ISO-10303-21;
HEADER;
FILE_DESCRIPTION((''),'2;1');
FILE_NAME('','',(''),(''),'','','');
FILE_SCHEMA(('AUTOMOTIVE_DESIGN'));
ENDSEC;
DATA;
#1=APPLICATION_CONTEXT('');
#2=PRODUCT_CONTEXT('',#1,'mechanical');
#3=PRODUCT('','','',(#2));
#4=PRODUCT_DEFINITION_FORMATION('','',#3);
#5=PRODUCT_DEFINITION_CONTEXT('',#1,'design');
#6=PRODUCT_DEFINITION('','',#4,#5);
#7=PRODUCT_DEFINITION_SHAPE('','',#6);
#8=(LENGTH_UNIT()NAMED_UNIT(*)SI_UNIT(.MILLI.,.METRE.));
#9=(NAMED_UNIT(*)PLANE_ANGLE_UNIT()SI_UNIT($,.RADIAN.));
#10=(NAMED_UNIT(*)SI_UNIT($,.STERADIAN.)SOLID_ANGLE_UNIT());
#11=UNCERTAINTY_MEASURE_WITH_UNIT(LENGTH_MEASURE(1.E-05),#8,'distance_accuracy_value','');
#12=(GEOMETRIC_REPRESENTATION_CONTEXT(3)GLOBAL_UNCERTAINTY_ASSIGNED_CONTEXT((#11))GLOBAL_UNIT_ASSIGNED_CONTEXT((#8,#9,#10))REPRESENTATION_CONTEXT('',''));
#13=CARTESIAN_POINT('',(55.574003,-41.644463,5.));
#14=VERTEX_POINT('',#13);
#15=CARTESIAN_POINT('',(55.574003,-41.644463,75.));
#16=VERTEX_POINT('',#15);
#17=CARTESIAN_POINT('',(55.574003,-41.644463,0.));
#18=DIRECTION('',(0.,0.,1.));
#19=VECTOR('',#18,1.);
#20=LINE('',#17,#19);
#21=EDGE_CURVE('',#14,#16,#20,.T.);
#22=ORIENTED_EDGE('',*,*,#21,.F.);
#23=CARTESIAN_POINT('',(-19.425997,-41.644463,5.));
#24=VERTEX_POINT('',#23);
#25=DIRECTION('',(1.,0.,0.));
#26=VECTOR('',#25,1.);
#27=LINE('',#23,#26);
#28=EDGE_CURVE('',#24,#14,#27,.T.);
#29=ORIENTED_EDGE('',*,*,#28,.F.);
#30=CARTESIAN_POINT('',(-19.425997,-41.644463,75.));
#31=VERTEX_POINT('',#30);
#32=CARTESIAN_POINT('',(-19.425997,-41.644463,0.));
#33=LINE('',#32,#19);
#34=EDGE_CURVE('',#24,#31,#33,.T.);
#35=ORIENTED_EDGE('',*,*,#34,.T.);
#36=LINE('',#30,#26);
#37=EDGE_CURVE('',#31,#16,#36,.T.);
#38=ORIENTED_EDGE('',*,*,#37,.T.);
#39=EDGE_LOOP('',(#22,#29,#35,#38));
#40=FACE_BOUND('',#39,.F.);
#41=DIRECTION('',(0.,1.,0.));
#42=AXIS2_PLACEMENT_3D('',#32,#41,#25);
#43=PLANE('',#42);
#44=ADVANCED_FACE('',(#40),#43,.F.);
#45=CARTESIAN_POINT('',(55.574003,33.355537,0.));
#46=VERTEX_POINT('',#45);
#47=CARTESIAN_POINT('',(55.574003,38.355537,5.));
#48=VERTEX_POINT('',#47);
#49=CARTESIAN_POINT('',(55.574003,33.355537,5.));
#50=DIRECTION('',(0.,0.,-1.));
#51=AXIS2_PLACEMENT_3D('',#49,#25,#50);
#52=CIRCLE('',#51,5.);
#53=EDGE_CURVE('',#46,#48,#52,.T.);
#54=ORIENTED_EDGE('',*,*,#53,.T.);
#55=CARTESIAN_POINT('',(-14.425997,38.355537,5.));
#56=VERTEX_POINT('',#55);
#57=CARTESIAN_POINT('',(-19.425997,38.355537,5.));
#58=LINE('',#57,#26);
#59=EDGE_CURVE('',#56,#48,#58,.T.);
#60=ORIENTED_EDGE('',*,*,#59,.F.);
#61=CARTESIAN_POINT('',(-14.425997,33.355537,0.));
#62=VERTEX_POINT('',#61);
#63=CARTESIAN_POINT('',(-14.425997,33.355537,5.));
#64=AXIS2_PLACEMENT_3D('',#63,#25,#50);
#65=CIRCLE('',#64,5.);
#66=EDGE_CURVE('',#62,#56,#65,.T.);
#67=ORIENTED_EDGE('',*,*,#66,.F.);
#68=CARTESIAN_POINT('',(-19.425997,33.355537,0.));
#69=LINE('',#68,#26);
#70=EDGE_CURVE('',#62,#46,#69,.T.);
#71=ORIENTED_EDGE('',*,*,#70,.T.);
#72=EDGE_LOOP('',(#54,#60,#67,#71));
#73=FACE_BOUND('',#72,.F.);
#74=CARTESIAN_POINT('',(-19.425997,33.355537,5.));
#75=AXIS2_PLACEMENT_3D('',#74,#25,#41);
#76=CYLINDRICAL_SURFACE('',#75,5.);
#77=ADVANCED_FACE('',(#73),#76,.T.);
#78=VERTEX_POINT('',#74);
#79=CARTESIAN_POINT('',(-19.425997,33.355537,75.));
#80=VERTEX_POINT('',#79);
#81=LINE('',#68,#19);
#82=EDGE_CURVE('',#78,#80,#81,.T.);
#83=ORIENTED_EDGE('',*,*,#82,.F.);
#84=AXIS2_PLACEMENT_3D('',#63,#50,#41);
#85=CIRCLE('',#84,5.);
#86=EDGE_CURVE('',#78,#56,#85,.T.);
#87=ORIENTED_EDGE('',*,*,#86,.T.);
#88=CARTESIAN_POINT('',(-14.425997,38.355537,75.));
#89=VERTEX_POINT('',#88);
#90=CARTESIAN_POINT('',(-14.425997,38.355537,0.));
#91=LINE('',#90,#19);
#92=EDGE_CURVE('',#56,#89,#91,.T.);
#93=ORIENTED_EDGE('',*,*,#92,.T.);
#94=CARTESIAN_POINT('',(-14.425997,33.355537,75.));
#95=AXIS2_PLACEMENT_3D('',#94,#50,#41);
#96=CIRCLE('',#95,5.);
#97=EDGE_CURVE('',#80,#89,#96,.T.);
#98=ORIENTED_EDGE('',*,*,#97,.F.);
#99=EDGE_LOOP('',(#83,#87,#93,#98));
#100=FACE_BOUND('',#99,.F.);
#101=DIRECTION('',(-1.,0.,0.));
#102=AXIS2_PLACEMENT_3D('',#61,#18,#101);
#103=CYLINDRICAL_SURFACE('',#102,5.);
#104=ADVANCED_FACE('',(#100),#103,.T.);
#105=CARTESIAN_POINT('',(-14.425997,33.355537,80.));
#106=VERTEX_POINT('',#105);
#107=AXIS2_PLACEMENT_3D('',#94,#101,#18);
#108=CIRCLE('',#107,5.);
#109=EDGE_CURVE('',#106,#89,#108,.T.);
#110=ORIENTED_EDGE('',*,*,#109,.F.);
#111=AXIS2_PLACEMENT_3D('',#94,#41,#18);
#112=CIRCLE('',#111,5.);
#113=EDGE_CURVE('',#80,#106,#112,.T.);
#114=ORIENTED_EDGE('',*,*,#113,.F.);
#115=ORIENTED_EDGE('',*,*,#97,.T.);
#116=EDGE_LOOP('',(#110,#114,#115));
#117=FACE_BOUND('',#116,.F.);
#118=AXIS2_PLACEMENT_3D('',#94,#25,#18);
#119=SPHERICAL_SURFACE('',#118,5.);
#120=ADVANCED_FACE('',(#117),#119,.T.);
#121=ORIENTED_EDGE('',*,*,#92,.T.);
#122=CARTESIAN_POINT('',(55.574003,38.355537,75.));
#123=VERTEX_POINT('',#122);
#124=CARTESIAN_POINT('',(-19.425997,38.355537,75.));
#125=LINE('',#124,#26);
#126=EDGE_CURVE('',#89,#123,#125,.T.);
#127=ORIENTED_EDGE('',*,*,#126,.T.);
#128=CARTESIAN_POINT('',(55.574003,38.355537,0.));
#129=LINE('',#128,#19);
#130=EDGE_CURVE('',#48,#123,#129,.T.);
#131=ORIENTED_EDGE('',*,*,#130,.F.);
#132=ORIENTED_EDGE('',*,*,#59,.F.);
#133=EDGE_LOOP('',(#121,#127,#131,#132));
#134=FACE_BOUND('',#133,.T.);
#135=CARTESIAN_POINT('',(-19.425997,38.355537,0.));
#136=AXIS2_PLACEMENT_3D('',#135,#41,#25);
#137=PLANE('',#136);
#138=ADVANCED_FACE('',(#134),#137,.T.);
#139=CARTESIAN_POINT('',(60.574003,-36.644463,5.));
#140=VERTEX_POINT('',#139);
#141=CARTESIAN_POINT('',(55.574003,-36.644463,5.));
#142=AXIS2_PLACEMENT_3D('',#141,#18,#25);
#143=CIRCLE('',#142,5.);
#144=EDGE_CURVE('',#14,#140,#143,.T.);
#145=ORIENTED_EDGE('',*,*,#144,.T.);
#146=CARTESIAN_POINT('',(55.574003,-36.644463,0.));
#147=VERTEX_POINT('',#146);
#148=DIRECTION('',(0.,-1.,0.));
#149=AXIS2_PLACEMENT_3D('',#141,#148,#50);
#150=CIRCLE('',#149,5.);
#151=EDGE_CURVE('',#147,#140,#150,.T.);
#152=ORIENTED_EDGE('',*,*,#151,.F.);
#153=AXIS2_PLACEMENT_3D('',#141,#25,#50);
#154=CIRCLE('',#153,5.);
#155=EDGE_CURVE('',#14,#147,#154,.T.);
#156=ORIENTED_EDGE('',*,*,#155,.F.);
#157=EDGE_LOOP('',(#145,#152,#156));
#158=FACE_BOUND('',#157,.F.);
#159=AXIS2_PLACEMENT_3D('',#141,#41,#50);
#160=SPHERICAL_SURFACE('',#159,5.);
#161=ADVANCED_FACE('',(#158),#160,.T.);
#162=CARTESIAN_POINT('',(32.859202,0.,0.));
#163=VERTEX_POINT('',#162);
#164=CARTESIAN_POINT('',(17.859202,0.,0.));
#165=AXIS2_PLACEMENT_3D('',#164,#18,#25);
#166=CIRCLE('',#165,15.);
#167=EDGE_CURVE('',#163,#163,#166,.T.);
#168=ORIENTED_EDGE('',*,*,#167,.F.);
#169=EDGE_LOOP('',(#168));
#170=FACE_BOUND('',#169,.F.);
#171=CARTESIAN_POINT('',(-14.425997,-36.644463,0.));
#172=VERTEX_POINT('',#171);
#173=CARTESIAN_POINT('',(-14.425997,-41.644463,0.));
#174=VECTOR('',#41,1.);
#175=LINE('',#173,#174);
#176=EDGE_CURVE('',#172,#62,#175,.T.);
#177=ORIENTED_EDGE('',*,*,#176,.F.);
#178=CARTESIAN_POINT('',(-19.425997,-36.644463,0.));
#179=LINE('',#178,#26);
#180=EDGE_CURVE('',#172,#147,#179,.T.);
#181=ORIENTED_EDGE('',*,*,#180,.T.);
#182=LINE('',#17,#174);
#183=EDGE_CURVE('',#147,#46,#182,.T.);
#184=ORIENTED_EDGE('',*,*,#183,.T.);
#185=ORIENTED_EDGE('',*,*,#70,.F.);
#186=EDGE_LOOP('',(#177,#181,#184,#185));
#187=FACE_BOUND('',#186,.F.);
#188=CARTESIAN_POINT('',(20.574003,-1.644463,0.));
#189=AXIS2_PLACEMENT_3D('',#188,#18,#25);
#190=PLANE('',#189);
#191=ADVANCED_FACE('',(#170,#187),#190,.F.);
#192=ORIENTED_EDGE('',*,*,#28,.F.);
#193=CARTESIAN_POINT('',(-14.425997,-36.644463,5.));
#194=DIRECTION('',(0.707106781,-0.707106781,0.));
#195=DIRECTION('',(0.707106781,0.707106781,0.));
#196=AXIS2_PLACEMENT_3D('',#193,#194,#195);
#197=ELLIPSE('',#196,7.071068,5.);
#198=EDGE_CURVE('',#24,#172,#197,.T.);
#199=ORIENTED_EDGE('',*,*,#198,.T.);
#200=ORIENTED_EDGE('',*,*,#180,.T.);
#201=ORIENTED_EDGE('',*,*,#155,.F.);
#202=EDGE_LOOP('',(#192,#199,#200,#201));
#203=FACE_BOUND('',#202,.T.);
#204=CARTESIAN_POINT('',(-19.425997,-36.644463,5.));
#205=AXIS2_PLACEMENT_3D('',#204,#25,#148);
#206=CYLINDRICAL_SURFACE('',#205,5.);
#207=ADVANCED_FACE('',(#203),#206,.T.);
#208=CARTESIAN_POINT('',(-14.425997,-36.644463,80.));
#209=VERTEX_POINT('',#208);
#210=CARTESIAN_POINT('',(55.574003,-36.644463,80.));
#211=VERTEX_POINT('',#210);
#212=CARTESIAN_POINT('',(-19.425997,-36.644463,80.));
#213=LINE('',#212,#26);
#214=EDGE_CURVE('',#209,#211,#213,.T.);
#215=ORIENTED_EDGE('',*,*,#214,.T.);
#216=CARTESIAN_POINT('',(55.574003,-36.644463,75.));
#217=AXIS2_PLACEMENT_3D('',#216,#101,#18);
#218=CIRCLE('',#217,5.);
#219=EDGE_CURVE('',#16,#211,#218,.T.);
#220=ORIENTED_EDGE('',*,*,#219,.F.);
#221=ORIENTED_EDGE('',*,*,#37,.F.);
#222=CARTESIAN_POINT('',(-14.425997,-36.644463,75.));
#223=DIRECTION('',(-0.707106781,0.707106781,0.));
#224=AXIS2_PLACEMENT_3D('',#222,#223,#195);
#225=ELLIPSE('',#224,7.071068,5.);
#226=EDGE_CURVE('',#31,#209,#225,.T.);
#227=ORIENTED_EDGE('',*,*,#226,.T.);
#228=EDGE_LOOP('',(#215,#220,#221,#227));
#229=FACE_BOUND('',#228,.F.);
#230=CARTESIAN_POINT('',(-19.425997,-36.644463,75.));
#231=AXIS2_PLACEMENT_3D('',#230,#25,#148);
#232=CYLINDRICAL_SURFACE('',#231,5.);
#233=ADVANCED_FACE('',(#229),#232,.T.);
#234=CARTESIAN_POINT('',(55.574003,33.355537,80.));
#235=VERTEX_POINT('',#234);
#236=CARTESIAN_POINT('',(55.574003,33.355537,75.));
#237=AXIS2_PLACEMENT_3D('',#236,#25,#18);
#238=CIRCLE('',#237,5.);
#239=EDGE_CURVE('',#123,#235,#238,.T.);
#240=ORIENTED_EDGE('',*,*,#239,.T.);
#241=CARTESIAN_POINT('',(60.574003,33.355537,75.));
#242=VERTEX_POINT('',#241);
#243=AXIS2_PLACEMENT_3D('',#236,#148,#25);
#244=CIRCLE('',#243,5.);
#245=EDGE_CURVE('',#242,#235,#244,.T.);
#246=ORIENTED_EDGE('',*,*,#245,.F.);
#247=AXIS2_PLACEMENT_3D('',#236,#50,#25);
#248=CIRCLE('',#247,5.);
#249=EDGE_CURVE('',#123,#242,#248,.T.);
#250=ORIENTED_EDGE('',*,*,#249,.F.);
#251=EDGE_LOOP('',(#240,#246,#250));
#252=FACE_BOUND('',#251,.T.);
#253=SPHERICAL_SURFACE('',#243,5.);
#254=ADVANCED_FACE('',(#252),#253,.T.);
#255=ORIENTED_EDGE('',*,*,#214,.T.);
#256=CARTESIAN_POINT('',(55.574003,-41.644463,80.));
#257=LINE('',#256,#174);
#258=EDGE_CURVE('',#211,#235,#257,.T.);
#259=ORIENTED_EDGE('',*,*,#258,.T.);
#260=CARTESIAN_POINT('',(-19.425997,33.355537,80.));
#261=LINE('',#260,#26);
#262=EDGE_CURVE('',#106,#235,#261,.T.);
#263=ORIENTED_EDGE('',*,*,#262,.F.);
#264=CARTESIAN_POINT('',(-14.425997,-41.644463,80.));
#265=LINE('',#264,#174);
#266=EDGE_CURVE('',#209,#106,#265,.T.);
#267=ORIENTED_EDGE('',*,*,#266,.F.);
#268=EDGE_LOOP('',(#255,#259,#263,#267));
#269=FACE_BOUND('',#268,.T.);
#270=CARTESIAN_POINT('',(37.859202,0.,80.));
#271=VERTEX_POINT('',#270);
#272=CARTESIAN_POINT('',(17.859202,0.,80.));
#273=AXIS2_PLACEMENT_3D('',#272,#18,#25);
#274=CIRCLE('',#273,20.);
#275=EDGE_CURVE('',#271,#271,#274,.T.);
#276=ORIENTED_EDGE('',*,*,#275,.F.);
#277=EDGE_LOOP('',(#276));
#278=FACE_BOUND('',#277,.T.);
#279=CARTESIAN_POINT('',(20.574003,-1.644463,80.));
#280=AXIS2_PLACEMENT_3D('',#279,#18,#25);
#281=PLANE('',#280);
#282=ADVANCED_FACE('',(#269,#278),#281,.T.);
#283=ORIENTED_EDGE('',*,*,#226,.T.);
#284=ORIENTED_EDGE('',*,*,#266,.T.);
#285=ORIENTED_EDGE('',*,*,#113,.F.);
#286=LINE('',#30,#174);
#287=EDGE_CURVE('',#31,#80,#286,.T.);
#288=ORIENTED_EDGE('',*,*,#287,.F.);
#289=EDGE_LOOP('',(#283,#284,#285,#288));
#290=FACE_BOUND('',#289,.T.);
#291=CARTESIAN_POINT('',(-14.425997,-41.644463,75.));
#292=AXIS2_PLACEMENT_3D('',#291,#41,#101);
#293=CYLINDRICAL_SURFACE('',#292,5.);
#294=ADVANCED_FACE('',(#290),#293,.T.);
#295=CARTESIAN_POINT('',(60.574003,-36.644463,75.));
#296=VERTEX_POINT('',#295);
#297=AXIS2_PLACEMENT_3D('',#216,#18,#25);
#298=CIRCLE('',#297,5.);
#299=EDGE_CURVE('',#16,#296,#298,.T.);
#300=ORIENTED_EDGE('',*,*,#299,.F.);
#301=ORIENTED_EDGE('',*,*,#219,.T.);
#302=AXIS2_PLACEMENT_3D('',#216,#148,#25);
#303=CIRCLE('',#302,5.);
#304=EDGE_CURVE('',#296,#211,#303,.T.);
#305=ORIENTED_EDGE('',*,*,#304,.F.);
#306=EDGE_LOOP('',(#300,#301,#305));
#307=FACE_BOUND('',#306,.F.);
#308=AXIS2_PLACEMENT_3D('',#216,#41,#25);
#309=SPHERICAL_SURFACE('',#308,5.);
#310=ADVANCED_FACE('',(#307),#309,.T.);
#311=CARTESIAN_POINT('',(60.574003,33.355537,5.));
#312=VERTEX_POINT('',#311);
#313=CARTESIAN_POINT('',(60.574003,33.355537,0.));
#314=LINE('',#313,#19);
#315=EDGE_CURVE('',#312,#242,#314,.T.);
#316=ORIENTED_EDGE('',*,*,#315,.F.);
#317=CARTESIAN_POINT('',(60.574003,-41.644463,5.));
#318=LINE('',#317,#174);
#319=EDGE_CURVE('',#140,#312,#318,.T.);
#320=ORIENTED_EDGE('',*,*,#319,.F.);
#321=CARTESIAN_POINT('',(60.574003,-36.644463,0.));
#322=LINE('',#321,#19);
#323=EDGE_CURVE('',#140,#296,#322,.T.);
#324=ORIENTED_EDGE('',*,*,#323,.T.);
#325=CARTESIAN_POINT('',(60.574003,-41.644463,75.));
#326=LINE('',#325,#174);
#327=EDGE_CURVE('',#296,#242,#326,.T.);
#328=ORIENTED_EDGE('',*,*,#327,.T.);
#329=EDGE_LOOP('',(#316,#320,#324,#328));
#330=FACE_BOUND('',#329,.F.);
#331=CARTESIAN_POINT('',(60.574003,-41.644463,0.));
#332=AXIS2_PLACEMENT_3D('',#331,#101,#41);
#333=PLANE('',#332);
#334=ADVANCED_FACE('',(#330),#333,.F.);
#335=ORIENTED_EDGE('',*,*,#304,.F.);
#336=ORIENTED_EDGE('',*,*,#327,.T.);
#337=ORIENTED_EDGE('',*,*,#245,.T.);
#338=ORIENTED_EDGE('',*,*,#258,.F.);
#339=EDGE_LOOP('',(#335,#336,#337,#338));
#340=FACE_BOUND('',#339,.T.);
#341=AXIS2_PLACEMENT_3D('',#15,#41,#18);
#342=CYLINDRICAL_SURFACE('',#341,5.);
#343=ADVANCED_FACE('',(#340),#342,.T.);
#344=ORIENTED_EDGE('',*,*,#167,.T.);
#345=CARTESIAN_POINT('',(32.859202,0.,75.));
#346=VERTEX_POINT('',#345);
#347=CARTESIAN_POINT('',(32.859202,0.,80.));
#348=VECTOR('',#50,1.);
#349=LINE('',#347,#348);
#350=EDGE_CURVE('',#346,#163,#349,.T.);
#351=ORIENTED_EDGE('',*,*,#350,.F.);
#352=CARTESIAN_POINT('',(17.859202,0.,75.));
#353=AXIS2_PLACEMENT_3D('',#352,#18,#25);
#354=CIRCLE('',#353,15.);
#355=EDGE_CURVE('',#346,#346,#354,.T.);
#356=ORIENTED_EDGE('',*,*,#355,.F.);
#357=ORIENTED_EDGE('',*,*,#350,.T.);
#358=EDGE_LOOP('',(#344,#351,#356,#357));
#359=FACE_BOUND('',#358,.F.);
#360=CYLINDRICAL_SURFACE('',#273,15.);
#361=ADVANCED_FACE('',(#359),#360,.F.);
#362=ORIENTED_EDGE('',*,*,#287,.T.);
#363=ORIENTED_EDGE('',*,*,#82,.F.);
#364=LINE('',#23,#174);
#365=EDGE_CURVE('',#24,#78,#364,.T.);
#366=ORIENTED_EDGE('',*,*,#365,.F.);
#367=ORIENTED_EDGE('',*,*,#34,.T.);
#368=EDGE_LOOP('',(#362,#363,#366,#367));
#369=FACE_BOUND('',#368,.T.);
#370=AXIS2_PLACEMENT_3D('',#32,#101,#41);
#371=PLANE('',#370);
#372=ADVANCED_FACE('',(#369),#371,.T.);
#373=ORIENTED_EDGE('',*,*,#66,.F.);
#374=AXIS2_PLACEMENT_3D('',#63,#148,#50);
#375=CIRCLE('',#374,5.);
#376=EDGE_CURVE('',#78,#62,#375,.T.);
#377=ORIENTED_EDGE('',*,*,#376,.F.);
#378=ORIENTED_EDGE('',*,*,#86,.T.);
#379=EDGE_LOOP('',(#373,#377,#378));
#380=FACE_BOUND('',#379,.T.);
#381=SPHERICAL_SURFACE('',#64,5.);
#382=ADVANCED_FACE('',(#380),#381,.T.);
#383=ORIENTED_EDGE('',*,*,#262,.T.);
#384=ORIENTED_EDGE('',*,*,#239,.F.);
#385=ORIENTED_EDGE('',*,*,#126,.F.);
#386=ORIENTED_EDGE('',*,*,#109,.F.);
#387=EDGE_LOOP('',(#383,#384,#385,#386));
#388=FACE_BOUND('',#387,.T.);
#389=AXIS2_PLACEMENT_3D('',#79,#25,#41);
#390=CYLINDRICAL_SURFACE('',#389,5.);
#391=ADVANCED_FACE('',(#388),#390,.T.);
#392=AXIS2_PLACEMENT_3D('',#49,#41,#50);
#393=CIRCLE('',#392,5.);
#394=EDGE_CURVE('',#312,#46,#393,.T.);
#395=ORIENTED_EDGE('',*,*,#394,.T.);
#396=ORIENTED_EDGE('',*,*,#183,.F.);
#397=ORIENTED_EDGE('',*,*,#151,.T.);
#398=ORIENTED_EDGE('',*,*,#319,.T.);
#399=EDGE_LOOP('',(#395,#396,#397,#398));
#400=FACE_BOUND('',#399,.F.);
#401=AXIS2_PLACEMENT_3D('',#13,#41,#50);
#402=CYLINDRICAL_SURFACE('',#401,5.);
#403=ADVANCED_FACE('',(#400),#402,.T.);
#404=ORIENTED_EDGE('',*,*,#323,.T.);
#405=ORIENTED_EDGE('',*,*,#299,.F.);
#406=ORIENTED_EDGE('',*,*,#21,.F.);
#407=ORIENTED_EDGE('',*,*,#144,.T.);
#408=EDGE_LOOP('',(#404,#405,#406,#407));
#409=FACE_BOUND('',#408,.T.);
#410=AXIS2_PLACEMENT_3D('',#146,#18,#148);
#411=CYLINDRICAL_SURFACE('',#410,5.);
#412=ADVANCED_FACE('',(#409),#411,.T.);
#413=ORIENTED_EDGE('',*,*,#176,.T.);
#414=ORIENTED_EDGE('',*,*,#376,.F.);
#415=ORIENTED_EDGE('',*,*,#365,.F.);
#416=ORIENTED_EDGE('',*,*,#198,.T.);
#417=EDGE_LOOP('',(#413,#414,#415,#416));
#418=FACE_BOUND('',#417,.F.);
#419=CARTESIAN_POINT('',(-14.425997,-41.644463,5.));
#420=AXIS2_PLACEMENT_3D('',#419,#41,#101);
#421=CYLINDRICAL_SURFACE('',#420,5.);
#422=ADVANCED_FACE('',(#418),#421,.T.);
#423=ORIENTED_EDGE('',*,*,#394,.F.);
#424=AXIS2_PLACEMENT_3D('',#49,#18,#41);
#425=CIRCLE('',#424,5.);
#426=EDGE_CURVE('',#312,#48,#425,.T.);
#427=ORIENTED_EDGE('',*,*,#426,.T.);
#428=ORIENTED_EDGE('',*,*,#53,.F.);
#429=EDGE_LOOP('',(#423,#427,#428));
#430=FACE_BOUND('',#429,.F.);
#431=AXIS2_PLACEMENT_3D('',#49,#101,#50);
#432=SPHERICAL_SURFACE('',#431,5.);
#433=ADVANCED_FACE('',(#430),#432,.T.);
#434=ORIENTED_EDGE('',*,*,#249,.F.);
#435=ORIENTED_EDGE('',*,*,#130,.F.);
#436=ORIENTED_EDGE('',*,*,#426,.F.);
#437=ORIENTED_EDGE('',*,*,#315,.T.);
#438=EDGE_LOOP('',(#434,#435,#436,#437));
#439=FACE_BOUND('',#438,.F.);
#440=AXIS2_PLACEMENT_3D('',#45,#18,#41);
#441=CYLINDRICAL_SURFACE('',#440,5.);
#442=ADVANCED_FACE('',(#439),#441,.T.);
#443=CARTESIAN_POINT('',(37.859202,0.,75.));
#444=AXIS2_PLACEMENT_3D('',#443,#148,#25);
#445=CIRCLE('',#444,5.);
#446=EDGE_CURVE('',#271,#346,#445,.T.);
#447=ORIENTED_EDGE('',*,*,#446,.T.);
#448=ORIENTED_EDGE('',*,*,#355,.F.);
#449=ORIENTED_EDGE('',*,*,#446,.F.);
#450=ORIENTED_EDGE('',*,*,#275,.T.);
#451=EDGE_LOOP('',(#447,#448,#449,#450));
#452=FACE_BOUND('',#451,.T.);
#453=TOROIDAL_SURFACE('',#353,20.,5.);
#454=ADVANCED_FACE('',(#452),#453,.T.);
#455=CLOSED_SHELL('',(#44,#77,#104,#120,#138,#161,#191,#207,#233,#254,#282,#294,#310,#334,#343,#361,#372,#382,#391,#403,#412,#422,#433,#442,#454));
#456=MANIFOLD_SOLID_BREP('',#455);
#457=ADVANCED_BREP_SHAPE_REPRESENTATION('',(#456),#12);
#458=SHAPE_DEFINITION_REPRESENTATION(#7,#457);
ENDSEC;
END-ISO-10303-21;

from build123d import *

# Parameters (mm, degrees)
F0_W     = 80
F0_H     = 80
F1_DEPTH = 80
F2_R     = 15
F3_DEPTH = 80.001
F4_R     = 5


with BuildPart() as f1:
    # F0 (on Top) → F1 (new body)
    with BuildSketch(Plane.XY):
        with Locations((20.5740025267, -1.6444633871)):
            Rectangle(F0_W, F0_H)
    extrude(amount=F1_DEPTH)

    # F2 (on face) → F3 (cut, through all)
    with BuildSketch(Plane.XY.offset(80)):
        with Locations((17.8592021294, 0)):
            Circle(F2_R)
    extrude(amount=-F3_DEPTH, mode=Mode.SUBTRACT)

    # F4
    f4_edges = [f1.edges().sort_by_distance(p)[0] for p in [
        (20.574003, 38.355537, 0),
        (60.574003, -1.644463, 0),
        (20.574003, -41.644463, 0),
        (-19.425997, -1.644463, 0),
        (60.574003, -1.644463, 80),
        (60.574003, -41.644463, 40),
        (60.574003, 38.355537, 40),
        (20.574003, 38.355537, 80),
        (-19.425997, -1.644463, 80),
        (20.574003, -41.644463, 80),
        (2.859202, 0, 80),
        (-19.425997, 38.355537, 40),
    ]]
    fillet(f4_edges, radius=F4_R)


solid = f1.part
